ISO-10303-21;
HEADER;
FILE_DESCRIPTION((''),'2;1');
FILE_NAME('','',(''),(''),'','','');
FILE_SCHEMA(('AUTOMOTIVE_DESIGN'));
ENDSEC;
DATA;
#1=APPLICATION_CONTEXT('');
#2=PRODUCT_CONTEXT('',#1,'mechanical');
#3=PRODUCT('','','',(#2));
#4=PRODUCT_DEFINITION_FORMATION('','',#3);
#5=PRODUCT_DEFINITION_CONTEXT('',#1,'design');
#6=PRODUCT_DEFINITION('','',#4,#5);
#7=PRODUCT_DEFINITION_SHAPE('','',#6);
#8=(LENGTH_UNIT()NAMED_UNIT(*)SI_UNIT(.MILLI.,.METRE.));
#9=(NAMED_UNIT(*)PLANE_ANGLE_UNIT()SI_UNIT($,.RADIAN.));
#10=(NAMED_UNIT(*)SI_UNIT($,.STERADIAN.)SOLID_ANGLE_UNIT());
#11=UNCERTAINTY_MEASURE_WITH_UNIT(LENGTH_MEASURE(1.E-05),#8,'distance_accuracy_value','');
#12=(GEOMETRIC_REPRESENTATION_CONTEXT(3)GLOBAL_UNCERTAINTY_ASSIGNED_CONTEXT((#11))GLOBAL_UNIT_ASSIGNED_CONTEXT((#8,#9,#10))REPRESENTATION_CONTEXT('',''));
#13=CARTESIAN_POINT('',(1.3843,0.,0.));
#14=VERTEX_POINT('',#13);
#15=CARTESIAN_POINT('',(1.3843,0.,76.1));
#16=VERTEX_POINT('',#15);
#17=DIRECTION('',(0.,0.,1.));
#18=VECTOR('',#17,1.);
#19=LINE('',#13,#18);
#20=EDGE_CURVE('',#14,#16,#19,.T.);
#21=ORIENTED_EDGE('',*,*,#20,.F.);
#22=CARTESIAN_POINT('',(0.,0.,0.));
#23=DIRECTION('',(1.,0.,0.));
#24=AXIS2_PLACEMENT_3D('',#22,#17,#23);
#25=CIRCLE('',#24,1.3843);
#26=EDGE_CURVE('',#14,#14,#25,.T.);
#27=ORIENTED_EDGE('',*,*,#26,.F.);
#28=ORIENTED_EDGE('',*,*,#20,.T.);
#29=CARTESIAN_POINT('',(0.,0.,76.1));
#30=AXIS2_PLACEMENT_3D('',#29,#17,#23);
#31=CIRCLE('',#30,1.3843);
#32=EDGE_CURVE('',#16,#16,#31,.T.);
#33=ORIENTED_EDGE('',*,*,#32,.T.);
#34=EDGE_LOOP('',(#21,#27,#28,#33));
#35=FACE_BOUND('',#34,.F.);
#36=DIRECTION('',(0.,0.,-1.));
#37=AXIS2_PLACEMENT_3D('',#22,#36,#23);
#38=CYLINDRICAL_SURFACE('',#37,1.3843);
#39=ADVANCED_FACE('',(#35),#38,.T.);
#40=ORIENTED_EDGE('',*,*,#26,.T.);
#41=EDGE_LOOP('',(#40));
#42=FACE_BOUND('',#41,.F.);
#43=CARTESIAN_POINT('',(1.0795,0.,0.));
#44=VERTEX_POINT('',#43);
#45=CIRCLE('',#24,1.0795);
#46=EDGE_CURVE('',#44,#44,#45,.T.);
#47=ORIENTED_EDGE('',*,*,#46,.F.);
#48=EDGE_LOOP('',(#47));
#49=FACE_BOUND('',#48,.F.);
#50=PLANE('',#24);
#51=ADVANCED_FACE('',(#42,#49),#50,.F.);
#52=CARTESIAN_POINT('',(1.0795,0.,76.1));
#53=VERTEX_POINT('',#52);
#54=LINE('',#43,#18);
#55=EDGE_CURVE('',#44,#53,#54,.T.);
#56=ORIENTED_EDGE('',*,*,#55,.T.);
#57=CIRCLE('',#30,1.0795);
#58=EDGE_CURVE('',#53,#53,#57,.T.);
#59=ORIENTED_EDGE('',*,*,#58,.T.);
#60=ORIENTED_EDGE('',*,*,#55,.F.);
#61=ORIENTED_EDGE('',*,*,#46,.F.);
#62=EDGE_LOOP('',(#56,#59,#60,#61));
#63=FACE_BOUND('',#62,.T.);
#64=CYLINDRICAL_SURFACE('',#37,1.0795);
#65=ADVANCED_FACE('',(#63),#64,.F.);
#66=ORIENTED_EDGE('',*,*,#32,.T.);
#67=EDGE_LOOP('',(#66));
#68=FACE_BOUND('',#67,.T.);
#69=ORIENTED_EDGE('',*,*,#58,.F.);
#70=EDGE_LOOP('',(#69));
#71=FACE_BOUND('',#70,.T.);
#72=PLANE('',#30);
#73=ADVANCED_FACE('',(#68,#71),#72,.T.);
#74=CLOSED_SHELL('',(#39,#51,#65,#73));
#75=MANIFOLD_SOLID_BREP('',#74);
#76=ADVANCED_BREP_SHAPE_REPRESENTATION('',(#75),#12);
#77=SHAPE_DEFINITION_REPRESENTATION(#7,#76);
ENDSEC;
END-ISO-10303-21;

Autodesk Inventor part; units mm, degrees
ref_plane "YZ Plane" through (0, 0, 0) normal (1, 0, 0) x (0, 1, 0)
ref_plane "XZ Plane" through (0, 0, 0) normal (0, 1, 0) x (-1, 0, 0)
ref_plane "XY Plane" through (0, 0, 0) normal (0, 0, 1) x (1, 0, 0)
sketch "Sketch1" plane through (0, 0, 0) normal (0, 0, 1) x (1, 0, 0)
  circle A0 centre (0, 0) radius 1.0795
  circle A1 centre (0, 0) radius 1.3843
  dimension "d0" = 2.159
  dimension "d1" = 2.7686
extrude "Extrusion1" add sketch "Sketch1" along normal blind 76.1
properties part number "Guide_Tube_Base"
